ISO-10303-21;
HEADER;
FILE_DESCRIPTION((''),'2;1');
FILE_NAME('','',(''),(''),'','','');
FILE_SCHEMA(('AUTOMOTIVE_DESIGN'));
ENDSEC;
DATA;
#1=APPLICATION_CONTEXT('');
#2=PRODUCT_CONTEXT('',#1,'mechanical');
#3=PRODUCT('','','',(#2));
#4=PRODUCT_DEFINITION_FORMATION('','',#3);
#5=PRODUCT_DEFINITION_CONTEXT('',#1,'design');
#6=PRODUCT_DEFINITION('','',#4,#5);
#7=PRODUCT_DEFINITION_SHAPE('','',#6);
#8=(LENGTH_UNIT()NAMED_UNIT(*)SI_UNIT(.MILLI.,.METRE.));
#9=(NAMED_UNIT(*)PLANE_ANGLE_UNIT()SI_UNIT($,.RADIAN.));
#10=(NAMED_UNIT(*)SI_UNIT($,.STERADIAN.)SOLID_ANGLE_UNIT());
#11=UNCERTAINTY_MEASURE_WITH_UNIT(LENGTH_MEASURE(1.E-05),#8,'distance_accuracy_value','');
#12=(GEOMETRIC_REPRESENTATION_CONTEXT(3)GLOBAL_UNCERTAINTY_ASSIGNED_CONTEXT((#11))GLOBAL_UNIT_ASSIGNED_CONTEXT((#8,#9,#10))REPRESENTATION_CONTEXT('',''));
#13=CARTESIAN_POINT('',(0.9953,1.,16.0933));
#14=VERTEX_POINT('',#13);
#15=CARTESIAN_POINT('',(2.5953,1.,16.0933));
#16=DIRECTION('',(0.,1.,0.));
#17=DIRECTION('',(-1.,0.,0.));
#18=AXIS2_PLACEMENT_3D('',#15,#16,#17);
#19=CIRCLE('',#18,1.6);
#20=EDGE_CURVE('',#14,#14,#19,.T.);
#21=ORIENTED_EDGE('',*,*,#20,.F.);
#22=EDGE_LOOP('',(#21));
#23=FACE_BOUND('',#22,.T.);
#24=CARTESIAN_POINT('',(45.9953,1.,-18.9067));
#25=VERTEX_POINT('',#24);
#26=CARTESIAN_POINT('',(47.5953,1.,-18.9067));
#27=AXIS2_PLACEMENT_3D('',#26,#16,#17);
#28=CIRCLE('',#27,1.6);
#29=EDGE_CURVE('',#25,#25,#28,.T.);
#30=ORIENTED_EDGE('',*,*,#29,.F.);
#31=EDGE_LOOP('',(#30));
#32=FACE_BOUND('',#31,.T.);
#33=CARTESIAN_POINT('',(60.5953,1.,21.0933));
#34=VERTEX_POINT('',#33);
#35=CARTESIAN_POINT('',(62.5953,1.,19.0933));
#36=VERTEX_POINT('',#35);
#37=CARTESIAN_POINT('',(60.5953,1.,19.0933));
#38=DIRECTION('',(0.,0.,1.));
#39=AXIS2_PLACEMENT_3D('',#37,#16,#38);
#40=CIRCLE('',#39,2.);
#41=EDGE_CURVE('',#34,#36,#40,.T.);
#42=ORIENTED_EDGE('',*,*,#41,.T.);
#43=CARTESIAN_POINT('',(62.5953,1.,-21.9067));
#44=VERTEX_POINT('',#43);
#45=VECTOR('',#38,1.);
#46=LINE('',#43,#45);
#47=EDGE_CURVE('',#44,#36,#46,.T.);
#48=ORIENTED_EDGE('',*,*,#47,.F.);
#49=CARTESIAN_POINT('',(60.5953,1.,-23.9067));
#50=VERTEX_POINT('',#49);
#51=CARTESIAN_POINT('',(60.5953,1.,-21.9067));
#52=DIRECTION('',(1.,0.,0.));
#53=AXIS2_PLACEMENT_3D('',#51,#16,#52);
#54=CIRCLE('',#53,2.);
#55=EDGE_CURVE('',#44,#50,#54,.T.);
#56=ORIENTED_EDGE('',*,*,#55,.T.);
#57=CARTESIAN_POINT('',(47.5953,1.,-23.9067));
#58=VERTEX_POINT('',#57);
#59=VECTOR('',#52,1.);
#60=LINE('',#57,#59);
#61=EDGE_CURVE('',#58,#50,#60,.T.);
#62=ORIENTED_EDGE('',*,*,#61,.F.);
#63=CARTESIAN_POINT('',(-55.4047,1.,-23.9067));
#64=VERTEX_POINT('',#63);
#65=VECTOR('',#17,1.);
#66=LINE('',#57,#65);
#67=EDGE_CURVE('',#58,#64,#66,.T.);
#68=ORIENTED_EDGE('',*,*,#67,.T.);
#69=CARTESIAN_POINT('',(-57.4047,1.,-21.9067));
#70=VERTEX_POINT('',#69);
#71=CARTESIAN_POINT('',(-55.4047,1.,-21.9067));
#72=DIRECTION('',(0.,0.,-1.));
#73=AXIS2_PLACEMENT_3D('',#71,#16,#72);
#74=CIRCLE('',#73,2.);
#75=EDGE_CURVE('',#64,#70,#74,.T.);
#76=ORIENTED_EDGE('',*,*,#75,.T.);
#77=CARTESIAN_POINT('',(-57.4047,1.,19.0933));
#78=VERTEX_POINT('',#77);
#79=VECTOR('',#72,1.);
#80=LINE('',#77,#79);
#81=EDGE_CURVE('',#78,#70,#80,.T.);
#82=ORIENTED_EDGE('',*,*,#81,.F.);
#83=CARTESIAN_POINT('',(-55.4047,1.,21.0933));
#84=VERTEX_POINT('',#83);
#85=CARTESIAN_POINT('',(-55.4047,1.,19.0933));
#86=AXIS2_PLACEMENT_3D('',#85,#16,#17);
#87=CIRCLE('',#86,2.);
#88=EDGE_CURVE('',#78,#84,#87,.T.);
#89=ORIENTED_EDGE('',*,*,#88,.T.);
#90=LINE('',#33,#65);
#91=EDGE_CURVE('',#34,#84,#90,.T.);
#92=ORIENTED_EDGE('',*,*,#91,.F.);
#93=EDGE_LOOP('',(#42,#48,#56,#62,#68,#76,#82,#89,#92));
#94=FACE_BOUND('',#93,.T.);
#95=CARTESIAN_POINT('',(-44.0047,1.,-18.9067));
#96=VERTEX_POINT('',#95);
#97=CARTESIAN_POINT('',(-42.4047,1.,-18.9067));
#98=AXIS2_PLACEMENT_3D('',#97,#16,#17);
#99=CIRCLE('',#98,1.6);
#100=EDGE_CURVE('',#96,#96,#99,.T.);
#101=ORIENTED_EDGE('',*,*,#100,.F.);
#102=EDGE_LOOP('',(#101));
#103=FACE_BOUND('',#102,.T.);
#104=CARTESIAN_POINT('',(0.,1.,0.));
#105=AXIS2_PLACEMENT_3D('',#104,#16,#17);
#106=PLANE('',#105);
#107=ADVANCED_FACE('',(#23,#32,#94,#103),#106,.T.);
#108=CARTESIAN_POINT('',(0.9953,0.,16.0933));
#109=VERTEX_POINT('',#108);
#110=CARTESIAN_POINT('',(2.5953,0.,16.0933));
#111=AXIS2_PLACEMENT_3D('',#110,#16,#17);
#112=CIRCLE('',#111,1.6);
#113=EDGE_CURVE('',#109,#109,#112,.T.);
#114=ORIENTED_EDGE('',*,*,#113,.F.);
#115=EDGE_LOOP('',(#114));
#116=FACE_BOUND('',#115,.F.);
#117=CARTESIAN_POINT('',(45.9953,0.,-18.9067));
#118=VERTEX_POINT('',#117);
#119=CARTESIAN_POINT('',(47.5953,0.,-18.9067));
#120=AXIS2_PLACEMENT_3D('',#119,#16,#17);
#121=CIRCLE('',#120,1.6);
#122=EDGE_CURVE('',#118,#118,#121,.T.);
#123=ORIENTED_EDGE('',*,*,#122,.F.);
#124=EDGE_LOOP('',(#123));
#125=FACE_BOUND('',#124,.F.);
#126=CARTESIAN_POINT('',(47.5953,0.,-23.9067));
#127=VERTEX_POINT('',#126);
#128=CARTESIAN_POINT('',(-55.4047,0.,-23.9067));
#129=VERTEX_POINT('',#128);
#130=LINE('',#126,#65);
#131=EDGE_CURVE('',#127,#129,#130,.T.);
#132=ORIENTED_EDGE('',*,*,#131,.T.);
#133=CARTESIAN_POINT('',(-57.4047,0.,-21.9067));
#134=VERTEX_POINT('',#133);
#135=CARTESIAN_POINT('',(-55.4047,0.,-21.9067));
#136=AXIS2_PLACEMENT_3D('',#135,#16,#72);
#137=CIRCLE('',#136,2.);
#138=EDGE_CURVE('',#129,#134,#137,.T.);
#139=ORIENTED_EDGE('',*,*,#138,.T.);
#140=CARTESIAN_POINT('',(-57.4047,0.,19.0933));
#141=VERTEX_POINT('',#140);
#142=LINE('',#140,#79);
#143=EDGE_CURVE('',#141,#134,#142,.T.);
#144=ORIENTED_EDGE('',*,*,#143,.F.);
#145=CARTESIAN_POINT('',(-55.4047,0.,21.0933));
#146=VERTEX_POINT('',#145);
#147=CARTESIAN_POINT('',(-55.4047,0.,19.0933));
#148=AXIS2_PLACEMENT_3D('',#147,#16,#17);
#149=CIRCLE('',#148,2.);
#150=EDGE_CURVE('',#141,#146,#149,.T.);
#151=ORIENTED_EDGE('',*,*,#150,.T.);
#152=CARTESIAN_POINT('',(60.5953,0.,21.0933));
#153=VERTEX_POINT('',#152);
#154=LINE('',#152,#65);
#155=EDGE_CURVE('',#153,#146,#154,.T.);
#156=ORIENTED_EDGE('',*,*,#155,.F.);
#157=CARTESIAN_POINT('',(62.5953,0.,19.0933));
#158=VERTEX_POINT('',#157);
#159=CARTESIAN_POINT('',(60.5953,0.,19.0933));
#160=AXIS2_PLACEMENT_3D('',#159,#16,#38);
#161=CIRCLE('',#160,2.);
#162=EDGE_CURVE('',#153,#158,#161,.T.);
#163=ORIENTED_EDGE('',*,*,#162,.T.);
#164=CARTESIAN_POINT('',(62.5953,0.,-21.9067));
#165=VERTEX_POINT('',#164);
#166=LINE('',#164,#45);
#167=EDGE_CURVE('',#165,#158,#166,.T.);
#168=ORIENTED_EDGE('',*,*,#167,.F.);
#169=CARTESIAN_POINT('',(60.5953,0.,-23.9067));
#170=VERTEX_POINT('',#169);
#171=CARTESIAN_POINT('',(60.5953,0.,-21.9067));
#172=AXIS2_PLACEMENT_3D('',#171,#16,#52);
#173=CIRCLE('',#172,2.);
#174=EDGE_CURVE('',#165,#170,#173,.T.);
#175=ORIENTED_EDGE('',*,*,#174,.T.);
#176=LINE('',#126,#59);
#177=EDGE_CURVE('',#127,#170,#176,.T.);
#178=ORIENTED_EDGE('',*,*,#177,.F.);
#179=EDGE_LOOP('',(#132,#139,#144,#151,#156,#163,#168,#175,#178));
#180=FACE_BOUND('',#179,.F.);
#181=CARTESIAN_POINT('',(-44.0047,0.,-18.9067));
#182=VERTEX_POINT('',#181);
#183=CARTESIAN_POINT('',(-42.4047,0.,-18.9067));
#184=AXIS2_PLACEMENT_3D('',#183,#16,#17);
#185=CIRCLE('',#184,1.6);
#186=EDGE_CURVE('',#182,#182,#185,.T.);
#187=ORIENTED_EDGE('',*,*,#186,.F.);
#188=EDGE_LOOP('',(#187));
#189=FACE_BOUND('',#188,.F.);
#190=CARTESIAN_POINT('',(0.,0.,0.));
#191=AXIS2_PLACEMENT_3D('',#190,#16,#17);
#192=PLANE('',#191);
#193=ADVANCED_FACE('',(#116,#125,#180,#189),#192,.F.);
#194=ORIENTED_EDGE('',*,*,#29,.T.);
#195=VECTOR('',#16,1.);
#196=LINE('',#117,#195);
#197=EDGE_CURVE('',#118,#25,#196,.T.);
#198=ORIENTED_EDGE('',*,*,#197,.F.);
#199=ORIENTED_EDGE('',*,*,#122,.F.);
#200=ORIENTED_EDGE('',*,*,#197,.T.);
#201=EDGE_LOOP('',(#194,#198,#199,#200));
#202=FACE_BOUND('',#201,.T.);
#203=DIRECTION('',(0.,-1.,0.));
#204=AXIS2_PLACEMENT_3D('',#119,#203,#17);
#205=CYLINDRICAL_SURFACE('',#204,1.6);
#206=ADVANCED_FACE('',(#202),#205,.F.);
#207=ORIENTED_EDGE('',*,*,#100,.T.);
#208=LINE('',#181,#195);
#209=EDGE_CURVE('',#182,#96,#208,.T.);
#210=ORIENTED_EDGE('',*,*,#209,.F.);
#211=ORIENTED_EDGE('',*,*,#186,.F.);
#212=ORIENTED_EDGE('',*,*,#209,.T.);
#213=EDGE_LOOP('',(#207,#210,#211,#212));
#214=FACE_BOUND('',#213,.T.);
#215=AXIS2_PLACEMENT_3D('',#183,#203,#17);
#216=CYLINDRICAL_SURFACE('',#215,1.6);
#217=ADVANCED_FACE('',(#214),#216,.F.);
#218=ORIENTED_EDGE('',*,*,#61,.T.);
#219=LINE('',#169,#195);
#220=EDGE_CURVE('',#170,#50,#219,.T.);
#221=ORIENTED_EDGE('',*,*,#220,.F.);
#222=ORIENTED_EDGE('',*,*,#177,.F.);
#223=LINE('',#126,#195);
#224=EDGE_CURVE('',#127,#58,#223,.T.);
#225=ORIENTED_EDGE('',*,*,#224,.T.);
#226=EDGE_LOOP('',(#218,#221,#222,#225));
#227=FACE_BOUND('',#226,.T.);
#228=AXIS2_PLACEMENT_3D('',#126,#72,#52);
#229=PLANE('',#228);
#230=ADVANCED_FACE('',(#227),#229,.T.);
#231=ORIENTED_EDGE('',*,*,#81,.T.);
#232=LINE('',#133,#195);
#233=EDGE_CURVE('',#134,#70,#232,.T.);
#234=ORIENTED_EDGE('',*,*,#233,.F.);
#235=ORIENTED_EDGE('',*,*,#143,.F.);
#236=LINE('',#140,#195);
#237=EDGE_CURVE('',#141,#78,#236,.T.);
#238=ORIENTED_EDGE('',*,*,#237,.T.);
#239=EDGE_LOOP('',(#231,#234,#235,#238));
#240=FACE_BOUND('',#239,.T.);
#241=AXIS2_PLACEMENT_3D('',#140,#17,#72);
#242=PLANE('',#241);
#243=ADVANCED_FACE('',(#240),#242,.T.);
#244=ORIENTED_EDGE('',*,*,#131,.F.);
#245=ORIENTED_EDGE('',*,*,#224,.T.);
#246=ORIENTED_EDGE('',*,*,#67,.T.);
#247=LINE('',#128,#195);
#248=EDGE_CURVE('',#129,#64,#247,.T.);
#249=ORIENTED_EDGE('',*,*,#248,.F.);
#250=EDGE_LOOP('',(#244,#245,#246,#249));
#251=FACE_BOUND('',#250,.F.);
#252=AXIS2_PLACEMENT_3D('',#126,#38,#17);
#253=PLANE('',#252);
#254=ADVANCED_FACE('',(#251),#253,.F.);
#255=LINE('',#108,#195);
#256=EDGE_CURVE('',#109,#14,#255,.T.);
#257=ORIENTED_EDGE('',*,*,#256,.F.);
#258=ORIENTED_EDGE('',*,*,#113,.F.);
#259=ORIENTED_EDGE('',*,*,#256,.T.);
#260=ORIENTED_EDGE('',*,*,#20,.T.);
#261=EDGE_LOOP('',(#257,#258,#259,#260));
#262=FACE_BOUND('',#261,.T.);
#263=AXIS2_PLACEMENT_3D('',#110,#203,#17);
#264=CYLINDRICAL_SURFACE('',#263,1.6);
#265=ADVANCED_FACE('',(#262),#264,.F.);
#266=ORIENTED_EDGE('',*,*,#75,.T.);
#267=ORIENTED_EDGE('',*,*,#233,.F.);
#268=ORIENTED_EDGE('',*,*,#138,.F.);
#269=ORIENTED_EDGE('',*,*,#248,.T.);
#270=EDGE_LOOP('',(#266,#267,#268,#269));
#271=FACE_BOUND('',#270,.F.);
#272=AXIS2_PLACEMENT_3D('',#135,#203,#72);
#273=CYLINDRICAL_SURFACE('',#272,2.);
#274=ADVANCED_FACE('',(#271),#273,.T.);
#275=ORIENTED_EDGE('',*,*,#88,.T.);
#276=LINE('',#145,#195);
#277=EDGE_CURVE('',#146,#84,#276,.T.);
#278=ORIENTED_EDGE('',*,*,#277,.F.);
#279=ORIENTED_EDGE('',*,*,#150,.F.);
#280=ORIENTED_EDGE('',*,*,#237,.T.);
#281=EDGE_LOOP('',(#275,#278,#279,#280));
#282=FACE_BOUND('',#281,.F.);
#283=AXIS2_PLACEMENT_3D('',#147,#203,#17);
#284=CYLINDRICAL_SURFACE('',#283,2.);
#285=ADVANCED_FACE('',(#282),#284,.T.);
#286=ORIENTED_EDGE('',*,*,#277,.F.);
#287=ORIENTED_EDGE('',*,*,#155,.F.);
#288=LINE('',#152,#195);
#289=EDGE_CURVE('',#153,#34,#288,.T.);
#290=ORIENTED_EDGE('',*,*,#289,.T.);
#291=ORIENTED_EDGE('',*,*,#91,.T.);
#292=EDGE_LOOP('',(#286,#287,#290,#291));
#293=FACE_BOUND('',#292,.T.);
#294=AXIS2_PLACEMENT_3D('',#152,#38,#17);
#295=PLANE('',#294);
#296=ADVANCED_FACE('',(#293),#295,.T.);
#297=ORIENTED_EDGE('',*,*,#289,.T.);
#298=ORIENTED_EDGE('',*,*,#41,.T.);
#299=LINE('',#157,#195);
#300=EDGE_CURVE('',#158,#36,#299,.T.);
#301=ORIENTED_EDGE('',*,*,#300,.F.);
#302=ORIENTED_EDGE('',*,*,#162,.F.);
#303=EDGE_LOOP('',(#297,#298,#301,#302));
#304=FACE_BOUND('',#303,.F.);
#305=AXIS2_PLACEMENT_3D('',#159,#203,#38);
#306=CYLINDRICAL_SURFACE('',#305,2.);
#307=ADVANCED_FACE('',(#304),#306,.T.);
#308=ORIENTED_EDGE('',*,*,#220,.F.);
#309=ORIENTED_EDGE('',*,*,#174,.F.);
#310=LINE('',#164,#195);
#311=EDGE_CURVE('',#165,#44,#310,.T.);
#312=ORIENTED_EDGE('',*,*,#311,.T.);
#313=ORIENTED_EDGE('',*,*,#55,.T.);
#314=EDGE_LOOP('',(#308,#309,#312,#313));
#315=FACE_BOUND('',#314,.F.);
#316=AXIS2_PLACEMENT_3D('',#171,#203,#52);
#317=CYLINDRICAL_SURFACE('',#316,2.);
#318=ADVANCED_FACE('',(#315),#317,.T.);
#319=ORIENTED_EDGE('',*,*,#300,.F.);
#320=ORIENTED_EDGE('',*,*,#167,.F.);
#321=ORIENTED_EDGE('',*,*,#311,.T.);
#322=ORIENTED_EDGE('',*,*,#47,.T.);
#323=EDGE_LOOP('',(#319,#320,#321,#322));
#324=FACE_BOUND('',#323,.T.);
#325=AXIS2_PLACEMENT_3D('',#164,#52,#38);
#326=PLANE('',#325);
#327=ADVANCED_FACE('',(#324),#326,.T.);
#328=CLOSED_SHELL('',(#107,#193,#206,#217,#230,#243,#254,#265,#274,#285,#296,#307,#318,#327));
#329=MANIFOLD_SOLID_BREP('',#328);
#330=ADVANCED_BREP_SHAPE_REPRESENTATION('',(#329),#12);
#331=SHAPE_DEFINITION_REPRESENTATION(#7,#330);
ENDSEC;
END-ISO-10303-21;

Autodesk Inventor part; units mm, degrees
ref_plane "YZ Plane" through (0, 0, 0) normal (1, 0, 0) x (0, 1, 0)
ref_plane "XZ Plane" through (0, 0, 0) normal (0, 1, 0) x (-1, 0, 0)
ref_plane "XY Plane" through (0, 0, 0) normal (0, 0, 1) x (1, 0, 0)
sketch "Sketch1" plane through (0, 0, 0) normal (0, 1, 0) x (-1, 0, 0)
  circle A0 centre (-2.5953, 16.0933) radius 1.6
  circle A1 centre (-47.5953, -18.9067) radius 1.6
  line L0 (-47.5953, -23.9067) -> (55.4047, -23.9067)
  line L1 (-47.5953, -23.9067) -> (-60.5953, -23.9067)
  line L2 (-62.5953, -21.9067) -> (-62.5953, 19.0933)
  arc A2 (-62.5953, -21.9067) -> (-60.5953, -23.9067) centre (-60.5953, -21.9067) ccw
  line L3 (-60.5953, 21.0933) -> (55.4047, 21.0933)
  arc A3 (-60.5953, 21.0933) -> (-62.5953, 19.0933) centre (-60.5953, 19.0933) ccw
  line L4 (57.4047, 19.0933) -> (57.4047, -21.9067)
  arc A4 (57.4047, 19.0933) -> (55.4047, 21.0933) centre (55.4047, 19.0933) ccw
  arc A5 (55.4047, -23.9067) -> (57.4047, -21.9067) centre (55.4047, -21.9067) ccw
  circle A6 centre (42.4047, -18.9067) radius 1.6
  point P0 (0, 0)
extrude "Extrusion1" add sketch "Sketch1" along normal blind 1
properties part number "Veroboard"
